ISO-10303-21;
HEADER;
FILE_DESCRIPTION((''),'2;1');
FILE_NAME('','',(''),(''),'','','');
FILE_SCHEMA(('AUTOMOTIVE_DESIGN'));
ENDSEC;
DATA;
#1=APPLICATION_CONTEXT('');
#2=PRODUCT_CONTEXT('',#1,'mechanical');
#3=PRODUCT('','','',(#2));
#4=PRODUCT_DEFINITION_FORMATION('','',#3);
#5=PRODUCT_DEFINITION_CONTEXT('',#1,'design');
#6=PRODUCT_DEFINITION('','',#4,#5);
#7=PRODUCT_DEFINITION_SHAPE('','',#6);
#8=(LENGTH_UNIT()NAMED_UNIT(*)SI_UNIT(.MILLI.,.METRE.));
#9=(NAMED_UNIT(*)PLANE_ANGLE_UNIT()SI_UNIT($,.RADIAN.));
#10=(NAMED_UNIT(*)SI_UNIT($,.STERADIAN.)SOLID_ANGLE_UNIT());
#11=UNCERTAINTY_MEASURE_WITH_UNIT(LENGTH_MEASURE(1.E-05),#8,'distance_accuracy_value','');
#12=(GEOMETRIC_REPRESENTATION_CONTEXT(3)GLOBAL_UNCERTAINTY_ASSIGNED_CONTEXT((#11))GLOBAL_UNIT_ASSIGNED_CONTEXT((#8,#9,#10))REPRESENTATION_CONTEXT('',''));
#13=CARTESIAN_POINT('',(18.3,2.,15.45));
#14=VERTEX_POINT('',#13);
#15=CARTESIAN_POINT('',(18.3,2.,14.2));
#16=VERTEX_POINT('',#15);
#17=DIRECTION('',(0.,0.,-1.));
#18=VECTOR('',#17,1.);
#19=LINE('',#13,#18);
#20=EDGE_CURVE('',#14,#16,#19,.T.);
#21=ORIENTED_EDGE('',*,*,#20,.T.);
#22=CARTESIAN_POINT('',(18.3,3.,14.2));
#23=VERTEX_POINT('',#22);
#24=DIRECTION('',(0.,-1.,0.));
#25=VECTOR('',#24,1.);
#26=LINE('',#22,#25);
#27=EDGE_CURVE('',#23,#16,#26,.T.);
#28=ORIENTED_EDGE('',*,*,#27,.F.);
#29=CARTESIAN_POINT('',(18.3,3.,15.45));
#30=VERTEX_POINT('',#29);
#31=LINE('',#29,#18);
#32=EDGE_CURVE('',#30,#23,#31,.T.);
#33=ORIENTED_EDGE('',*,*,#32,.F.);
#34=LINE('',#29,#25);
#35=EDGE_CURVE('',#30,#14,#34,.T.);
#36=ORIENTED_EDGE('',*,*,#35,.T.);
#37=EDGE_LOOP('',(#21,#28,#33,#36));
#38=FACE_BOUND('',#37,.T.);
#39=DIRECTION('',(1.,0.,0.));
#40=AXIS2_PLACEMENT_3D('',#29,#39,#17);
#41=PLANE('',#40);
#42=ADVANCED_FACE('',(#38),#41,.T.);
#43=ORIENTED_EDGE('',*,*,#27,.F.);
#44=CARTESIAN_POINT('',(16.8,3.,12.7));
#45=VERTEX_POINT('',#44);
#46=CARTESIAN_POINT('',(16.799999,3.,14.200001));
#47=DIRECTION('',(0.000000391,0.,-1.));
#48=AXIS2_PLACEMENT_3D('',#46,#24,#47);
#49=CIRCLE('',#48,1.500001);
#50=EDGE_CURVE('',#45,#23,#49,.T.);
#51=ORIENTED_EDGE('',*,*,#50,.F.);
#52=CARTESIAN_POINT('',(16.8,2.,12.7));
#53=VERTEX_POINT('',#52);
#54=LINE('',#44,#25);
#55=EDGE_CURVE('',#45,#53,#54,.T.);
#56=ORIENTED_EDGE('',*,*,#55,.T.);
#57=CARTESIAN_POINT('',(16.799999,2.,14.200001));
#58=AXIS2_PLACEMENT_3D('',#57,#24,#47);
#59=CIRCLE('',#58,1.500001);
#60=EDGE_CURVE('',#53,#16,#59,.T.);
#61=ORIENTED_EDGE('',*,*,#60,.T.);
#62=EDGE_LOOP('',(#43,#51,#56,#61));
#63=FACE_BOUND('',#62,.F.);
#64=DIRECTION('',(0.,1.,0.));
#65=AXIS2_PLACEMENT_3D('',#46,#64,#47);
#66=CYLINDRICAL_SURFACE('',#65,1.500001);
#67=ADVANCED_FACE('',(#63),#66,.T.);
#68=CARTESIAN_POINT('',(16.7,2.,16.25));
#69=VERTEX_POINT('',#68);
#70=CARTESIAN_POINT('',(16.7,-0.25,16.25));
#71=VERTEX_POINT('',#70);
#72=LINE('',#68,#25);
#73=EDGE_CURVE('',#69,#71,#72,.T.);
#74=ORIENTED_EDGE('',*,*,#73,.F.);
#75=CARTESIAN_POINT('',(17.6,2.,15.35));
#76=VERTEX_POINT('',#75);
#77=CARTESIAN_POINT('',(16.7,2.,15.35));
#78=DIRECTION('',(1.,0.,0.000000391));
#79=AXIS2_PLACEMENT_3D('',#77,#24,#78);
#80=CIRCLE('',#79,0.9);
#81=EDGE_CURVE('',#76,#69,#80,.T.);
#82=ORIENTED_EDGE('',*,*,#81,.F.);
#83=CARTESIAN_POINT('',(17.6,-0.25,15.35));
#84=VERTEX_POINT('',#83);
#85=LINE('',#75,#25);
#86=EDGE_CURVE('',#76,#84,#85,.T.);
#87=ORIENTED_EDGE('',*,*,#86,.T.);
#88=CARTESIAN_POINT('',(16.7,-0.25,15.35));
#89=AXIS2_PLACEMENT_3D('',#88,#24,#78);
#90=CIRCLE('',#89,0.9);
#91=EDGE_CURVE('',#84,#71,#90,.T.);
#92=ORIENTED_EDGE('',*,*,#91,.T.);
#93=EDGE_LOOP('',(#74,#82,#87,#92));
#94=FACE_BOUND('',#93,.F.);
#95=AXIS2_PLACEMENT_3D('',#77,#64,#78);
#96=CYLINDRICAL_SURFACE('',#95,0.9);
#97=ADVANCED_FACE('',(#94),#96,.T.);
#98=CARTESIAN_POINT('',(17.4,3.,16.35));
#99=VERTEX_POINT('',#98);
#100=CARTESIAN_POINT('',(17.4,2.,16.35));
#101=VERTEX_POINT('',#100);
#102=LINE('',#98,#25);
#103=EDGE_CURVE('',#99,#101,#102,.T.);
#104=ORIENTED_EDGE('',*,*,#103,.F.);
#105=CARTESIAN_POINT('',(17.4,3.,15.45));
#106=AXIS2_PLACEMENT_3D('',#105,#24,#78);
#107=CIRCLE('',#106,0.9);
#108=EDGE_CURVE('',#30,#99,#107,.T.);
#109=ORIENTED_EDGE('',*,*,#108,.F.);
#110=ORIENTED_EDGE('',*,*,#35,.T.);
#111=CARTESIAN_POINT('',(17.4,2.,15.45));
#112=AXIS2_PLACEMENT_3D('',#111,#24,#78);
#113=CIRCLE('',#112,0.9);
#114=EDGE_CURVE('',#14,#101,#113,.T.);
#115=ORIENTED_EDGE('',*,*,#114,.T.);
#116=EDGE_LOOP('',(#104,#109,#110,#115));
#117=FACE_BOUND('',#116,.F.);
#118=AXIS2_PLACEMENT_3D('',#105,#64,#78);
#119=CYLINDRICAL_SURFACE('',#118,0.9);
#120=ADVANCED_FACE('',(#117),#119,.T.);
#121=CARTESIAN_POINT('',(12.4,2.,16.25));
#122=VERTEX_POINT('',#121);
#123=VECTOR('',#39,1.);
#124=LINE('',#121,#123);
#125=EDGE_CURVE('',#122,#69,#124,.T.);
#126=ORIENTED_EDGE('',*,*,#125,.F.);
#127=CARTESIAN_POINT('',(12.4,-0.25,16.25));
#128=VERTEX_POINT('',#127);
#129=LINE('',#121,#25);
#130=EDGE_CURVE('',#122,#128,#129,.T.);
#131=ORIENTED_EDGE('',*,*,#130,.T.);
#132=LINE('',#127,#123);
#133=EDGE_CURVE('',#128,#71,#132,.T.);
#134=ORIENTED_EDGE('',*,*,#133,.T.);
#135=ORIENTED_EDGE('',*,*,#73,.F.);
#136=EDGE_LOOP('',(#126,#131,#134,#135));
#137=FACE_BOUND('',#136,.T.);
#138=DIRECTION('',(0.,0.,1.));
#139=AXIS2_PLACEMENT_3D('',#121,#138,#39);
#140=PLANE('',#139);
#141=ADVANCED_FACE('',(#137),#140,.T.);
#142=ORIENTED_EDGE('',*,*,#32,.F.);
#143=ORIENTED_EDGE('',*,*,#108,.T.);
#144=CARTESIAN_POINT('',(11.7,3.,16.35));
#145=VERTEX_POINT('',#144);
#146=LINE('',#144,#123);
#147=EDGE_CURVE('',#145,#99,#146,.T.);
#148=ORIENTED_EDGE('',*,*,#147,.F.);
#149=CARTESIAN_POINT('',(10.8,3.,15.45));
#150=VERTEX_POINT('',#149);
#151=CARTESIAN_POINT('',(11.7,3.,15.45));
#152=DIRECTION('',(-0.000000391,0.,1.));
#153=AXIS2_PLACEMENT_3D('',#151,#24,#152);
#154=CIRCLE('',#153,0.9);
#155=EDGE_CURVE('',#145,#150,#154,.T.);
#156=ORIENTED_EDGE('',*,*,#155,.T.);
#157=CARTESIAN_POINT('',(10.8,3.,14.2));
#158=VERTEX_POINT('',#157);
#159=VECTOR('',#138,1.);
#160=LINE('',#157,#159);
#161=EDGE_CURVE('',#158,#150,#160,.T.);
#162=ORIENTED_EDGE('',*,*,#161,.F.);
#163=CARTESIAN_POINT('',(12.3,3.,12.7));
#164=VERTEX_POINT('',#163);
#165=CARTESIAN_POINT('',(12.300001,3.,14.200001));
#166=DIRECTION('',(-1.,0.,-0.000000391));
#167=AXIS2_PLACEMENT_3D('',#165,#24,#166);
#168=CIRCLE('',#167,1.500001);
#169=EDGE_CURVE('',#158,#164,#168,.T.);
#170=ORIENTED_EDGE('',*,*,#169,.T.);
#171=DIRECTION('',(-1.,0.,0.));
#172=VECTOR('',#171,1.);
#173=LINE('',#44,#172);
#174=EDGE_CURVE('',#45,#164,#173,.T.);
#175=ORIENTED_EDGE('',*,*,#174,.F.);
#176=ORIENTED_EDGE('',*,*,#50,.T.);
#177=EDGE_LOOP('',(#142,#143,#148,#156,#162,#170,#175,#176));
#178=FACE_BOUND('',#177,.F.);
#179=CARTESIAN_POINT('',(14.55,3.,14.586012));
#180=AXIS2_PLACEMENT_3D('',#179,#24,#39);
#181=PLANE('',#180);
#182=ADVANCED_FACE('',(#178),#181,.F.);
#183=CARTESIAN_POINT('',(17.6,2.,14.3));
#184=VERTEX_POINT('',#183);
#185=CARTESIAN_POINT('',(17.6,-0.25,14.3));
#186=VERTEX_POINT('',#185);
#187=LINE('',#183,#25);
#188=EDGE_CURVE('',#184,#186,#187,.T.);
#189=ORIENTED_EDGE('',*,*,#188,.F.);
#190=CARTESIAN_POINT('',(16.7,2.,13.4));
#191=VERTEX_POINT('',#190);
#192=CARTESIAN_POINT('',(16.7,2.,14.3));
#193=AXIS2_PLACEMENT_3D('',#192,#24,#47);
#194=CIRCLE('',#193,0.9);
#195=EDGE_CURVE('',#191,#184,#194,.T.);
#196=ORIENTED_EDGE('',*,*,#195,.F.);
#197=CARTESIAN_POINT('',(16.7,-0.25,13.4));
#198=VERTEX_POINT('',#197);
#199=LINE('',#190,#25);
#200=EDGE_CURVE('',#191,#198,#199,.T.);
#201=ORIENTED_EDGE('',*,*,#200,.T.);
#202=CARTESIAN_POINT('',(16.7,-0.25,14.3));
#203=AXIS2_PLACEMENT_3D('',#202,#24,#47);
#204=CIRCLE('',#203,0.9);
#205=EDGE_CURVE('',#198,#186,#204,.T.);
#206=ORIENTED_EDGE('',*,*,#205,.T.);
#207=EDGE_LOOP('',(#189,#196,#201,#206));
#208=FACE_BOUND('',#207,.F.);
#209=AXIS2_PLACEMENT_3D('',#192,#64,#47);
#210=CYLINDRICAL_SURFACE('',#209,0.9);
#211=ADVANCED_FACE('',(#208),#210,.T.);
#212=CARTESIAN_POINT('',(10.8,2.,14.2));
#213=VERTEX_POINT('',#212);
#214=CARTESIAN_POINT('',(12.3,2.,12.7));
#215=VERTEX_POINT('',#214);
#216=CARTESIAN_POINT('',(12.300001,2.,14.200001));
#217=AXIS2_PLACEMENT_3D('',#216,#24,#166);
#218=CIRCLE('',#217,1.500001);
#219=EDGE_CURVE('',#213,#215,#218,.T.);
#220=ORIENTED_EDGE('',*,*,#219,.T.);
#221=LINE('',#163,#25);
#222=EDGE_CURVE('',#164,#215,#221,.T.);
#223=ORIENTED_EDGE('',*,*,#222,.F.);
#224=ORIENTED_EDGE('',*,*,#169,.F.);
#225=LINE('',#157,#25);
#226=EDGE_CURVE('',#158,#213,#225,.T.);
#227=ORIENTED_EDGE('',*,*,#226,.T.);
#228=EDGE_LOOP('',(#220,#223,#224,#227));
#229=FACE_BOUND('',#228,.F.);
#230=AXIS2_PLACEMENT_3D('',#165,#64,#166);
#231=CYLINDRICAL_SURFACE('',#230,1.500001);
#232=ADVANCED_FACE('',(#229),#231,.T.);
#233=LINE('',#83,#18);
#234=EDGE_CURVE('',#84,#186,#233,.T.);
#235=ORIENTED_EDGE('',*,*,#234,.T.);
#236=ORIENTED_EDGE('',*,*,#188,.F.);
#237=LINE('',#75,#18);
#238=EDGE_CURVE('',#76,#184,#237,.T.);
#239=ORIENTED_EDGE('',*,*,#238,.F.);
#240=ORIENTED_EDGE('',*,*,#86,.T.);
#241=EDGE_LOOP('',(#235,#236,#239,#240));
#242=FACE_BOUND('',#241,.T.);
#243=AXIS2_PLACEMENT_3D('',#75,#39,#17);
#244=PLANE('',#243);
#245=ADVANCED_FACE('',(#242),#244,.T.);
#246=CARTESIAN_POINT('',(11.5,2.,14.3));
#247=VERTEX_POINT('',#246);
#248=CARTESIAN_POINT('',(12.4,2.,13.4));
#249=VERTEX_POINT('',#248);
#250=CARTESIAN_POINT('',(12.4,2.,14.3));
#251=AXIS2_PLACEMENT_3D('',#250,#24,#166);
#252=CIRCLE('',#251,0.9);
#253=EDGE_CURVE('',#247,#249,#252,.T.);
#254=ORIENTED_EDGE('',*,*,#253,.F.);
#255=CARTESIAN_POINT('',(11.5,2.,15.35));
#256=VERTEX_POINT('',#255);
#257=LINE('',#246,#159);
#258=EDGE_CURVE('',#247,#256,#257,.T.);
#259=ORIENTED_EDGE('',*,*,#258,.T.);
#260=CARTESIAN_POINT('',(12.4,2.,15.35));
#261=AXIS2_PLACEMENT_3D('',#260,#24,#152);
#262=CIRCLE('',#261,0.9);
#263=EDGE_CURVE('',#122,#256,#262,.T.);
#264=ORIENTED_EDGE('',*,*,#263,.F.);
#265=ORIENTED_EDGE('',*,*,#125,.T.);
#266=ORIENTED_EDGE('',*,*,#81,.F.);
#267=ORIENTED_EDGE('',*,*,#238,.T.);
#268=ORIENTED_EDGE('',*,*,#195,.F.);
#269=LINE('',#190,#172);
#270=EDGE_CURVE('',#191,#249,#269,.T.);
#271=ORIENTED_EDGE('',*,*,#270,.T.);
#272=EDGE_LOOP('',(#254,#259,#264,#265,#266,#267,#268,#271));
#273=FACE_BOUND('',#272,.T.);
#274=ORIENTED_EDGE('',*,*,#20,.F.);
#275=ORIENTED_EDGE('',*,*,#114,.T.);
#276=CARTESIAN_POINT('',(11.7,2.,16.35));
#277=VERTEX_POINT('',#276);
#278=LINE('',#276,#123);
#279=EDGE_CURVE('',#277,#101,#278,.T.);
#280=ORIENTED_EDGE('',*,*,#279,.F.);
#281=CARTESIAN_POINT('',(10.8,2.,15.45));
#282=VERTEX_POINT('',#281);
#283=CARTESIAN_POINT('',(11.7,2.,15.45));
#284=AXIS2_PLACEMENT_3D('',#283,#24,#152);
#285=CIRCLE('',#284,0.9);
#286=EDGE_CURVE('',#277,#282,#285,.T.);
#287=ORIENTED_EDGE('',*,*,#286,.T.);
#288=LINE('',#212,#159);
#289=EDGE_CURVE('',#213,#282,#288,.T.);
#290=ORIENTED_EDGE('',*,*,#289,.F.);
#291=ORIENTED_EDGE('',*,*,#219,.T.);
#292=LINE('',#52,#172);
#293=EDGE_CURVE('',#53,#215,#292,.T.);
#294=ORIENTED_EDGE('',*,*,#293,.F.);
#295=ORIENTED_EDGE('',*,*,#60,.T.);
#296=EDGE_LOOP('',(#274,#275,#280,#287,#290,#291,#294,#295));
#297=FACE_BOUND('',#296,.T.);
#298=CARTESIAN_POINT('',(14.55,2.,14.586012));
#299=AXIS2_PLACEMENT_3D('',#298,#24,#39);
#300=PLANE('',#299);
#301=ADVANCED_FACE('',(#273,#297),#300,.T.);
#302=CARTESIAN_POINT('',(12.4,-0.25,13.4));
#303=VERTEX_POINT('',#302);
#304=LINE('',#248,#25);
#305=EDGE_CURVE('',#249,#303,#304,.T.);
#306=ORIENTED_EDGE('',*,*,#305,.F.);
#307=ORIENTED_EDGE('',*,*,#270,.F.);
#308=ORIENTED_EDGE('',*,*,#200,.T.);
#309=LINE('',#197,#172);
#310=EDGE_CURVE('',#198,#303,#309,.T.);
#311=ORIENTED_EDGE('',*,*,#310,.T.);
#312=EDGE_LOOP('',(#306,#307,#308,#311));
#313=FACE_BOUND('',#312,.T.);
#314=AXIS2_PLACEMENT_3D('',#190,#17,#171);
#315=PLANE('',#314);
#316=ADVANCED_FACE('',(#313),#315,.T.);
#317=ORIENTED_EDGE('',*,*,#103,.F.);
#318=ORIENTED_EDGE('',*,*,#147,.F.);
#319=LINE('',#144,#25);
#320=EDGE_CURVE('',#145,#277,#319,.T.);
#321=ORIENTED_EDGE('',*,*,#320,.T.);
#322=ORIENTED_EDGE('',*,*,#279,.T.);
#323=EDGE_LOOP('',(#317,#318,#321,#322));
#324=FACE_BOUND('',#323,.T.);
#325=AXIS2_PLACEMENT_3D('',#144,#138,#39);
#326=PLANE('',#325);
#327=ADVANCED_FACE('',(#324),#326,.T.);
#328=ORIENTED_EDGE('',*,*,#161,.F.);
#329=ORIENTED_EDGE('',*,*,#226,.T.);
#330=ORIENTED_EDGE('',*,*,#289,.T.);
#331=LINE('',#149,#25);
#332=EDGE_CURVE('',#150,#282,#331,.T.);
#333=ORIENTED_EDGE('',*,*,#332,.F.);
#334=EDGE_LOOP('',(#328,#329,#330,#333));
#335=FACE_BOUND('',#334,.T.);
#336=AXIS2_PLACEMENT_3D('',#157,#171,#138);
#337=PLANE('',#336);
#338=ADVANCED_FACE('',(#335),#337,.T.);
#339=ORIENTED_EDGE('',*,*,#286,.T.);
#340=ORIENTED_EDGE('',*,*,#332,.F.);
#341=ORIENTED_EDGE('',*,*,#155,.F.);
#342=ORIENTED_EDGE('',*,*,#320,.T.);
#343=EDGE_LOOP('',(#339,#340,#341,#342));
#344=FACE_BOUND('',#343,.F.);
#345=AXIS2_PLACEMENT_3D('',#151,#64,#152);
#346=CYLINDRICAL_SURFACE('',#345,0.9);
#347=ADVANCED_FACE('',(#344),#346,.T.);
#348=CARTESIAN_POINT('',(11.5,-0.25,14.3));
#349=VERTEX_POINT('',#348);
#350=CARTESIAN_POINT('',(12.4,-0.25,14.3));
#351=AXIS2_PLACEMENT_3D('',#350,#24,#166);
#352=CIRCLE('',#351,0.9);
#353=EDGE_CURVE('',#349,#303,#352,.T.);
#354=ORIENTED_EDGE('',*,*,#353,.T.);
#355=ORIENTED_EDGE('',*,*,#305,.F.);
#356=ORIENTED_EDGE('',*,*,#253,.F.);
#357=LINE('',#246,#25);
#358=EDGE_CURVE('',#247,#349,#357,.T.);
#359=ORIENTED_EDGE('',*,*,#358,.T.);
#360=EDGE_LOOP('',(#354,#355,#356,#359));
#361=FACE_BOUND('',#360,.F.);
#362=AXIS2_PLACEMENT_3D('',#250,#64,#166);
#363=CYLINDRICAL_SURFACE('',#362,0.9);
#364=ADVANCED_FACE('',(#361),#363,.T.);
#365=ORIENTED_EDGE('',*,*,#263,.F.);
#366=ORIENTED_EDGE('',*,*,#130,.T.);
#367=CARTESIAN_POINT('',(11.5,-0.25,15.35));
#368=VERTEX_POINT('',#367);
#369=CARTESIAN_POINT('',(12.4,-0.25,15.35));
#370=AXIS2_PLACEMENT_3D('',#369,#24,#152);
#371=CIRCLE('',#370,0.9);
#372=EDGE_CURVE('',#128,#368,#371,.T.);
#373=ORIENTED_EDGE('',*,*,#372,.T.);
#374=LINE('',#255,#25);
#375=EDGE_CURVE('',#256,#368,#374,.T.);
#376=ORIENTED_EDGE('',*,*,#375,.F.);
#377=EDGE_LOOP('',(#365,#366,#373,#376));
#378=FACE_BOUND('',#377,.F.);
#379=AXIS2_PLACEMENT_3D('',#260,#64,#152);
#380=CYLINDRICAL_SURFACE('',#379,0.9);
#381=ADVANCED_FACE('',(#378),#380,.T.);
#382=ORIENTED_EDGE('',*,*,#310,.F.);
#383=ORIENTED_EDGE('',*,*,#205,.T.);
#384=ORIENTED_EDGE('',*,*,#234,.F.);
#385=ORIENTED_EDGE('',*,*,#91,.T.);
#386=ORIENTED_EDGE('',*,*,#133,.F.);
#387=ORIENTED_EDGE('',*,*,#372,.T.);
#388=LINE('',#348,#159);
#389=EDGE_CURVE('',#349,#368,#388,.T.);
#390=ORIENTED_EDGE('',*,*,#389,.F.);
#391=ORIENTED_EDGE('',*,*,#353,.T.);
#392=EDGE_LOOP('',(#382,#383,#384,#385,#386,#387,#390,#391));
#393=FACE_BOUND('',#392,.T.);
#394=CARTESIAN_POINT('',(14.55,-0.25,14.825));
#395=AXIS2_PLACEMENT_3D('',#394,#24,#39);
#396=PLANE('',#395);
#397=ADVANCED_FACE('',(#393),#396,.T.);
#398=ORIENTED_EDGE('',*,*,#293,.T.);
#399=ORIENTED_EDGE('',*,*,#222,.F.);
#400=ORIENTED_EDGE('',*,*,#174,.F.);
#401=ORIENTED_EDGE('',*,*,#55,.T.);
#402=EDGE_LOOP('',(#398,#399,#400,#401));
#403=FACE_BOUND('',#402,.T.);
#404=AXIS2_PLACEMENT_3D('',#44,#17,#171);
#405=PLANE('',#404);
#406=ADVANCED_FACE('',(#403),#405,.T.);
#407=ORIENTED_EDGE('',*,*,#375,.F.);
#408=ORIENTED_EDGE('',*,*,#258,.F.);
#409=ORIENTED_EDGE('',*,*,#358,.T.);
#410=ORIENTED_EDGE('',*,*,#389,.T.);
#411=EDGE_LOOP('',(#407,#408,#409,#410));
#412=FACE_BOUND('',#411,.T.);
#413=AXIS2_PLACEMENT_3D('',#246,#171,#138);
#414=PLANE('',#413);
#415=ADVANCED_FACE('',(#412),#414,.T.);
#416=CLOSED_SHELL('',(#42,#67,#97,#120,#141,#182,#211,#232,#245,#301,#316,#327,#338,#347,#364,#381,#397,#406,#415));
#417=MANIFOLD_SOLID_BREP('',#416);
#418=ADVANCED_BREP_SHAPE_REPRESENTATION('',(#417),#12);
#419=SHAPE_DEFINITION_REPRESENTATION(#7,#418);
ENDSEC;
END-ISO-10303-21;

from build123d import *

# Parameters (mm, degrees)
EXTRUDE015_DEPTH = 1
EXTRUDE014_DEPTH = 2.25


with BuildPart() as extrude015:
    # Sketch015 → Extrude015 (new body)
    with BuildSketch(Plane.XZ):
        with BuildLine():
            ThreePointArc((11.7, 16.35), (11.063604, 16.086396), (10.8, 15.45))
            Line((10.8, 14.2), (10.8, 15.45))
            ThreePointArc((10.8, 14.2), (11.23934, 13.13934), (12.3, 12.7))
            Line((16.8, 12.7), (12.3, 12.7))
            ThreePointArc((16.8, 12.7), (17.86066, 13.13934), (18.3, 14.2))
            Line((18.3, 15.45), (18.3, 14.2))
            ThreePointArc((18.3, 15.45), (18.036396, 16.086396), (17.4, 16.35))
            Line((11.7, 16.35), (17.4, 16.35))
        make_face()
    extrude(amount=EXTRUDE015_DEPTH)


with BuildPart() as extrude015_1:
    # Extrude015 placement: moved
    add(extrude015.part.moved(Location((0, 3, 0))))


with BuildPart() as button1:
    # Sketch014 → Extrude014 (new body)
    with BuildSketch(Plane.XZ):
        with BuildLine():
            ThreePointArc((12.4, 16.25), (11.763604, 15.986396), (11.5, 15.35))
            Line((11.5, 14.3), (11.5, 15.35))
            ThreePointArc((11.5, 14.3), (11.763604, 13.663604), (12.4, 13.4))
            Line((16.7, 13.4), (12.4, 13.4))
            ThreePointArc((16.7, 13.4), (17.336396, 13.663604), (17.6, 14.3))
            Line((17.6, 15.35), (17.6, 14.3))
            ThreePointArc((17.6, 15.35), (17.336396, 15.986396), (16.7, 16.25))
            Line((12.4, 16.25), (16.7, 16.25))
        make_face()
    extrude(amount=EXTRUDE014_DEPTH)


with BuildPart() as button1_1:
    # Extrude014 placement: moved
    add(button1.part.moved(Location((0, 2, 0))))

    # Fusion018: union Extrude015
    add(extrude015_1.part)


solid = button1_1.part
